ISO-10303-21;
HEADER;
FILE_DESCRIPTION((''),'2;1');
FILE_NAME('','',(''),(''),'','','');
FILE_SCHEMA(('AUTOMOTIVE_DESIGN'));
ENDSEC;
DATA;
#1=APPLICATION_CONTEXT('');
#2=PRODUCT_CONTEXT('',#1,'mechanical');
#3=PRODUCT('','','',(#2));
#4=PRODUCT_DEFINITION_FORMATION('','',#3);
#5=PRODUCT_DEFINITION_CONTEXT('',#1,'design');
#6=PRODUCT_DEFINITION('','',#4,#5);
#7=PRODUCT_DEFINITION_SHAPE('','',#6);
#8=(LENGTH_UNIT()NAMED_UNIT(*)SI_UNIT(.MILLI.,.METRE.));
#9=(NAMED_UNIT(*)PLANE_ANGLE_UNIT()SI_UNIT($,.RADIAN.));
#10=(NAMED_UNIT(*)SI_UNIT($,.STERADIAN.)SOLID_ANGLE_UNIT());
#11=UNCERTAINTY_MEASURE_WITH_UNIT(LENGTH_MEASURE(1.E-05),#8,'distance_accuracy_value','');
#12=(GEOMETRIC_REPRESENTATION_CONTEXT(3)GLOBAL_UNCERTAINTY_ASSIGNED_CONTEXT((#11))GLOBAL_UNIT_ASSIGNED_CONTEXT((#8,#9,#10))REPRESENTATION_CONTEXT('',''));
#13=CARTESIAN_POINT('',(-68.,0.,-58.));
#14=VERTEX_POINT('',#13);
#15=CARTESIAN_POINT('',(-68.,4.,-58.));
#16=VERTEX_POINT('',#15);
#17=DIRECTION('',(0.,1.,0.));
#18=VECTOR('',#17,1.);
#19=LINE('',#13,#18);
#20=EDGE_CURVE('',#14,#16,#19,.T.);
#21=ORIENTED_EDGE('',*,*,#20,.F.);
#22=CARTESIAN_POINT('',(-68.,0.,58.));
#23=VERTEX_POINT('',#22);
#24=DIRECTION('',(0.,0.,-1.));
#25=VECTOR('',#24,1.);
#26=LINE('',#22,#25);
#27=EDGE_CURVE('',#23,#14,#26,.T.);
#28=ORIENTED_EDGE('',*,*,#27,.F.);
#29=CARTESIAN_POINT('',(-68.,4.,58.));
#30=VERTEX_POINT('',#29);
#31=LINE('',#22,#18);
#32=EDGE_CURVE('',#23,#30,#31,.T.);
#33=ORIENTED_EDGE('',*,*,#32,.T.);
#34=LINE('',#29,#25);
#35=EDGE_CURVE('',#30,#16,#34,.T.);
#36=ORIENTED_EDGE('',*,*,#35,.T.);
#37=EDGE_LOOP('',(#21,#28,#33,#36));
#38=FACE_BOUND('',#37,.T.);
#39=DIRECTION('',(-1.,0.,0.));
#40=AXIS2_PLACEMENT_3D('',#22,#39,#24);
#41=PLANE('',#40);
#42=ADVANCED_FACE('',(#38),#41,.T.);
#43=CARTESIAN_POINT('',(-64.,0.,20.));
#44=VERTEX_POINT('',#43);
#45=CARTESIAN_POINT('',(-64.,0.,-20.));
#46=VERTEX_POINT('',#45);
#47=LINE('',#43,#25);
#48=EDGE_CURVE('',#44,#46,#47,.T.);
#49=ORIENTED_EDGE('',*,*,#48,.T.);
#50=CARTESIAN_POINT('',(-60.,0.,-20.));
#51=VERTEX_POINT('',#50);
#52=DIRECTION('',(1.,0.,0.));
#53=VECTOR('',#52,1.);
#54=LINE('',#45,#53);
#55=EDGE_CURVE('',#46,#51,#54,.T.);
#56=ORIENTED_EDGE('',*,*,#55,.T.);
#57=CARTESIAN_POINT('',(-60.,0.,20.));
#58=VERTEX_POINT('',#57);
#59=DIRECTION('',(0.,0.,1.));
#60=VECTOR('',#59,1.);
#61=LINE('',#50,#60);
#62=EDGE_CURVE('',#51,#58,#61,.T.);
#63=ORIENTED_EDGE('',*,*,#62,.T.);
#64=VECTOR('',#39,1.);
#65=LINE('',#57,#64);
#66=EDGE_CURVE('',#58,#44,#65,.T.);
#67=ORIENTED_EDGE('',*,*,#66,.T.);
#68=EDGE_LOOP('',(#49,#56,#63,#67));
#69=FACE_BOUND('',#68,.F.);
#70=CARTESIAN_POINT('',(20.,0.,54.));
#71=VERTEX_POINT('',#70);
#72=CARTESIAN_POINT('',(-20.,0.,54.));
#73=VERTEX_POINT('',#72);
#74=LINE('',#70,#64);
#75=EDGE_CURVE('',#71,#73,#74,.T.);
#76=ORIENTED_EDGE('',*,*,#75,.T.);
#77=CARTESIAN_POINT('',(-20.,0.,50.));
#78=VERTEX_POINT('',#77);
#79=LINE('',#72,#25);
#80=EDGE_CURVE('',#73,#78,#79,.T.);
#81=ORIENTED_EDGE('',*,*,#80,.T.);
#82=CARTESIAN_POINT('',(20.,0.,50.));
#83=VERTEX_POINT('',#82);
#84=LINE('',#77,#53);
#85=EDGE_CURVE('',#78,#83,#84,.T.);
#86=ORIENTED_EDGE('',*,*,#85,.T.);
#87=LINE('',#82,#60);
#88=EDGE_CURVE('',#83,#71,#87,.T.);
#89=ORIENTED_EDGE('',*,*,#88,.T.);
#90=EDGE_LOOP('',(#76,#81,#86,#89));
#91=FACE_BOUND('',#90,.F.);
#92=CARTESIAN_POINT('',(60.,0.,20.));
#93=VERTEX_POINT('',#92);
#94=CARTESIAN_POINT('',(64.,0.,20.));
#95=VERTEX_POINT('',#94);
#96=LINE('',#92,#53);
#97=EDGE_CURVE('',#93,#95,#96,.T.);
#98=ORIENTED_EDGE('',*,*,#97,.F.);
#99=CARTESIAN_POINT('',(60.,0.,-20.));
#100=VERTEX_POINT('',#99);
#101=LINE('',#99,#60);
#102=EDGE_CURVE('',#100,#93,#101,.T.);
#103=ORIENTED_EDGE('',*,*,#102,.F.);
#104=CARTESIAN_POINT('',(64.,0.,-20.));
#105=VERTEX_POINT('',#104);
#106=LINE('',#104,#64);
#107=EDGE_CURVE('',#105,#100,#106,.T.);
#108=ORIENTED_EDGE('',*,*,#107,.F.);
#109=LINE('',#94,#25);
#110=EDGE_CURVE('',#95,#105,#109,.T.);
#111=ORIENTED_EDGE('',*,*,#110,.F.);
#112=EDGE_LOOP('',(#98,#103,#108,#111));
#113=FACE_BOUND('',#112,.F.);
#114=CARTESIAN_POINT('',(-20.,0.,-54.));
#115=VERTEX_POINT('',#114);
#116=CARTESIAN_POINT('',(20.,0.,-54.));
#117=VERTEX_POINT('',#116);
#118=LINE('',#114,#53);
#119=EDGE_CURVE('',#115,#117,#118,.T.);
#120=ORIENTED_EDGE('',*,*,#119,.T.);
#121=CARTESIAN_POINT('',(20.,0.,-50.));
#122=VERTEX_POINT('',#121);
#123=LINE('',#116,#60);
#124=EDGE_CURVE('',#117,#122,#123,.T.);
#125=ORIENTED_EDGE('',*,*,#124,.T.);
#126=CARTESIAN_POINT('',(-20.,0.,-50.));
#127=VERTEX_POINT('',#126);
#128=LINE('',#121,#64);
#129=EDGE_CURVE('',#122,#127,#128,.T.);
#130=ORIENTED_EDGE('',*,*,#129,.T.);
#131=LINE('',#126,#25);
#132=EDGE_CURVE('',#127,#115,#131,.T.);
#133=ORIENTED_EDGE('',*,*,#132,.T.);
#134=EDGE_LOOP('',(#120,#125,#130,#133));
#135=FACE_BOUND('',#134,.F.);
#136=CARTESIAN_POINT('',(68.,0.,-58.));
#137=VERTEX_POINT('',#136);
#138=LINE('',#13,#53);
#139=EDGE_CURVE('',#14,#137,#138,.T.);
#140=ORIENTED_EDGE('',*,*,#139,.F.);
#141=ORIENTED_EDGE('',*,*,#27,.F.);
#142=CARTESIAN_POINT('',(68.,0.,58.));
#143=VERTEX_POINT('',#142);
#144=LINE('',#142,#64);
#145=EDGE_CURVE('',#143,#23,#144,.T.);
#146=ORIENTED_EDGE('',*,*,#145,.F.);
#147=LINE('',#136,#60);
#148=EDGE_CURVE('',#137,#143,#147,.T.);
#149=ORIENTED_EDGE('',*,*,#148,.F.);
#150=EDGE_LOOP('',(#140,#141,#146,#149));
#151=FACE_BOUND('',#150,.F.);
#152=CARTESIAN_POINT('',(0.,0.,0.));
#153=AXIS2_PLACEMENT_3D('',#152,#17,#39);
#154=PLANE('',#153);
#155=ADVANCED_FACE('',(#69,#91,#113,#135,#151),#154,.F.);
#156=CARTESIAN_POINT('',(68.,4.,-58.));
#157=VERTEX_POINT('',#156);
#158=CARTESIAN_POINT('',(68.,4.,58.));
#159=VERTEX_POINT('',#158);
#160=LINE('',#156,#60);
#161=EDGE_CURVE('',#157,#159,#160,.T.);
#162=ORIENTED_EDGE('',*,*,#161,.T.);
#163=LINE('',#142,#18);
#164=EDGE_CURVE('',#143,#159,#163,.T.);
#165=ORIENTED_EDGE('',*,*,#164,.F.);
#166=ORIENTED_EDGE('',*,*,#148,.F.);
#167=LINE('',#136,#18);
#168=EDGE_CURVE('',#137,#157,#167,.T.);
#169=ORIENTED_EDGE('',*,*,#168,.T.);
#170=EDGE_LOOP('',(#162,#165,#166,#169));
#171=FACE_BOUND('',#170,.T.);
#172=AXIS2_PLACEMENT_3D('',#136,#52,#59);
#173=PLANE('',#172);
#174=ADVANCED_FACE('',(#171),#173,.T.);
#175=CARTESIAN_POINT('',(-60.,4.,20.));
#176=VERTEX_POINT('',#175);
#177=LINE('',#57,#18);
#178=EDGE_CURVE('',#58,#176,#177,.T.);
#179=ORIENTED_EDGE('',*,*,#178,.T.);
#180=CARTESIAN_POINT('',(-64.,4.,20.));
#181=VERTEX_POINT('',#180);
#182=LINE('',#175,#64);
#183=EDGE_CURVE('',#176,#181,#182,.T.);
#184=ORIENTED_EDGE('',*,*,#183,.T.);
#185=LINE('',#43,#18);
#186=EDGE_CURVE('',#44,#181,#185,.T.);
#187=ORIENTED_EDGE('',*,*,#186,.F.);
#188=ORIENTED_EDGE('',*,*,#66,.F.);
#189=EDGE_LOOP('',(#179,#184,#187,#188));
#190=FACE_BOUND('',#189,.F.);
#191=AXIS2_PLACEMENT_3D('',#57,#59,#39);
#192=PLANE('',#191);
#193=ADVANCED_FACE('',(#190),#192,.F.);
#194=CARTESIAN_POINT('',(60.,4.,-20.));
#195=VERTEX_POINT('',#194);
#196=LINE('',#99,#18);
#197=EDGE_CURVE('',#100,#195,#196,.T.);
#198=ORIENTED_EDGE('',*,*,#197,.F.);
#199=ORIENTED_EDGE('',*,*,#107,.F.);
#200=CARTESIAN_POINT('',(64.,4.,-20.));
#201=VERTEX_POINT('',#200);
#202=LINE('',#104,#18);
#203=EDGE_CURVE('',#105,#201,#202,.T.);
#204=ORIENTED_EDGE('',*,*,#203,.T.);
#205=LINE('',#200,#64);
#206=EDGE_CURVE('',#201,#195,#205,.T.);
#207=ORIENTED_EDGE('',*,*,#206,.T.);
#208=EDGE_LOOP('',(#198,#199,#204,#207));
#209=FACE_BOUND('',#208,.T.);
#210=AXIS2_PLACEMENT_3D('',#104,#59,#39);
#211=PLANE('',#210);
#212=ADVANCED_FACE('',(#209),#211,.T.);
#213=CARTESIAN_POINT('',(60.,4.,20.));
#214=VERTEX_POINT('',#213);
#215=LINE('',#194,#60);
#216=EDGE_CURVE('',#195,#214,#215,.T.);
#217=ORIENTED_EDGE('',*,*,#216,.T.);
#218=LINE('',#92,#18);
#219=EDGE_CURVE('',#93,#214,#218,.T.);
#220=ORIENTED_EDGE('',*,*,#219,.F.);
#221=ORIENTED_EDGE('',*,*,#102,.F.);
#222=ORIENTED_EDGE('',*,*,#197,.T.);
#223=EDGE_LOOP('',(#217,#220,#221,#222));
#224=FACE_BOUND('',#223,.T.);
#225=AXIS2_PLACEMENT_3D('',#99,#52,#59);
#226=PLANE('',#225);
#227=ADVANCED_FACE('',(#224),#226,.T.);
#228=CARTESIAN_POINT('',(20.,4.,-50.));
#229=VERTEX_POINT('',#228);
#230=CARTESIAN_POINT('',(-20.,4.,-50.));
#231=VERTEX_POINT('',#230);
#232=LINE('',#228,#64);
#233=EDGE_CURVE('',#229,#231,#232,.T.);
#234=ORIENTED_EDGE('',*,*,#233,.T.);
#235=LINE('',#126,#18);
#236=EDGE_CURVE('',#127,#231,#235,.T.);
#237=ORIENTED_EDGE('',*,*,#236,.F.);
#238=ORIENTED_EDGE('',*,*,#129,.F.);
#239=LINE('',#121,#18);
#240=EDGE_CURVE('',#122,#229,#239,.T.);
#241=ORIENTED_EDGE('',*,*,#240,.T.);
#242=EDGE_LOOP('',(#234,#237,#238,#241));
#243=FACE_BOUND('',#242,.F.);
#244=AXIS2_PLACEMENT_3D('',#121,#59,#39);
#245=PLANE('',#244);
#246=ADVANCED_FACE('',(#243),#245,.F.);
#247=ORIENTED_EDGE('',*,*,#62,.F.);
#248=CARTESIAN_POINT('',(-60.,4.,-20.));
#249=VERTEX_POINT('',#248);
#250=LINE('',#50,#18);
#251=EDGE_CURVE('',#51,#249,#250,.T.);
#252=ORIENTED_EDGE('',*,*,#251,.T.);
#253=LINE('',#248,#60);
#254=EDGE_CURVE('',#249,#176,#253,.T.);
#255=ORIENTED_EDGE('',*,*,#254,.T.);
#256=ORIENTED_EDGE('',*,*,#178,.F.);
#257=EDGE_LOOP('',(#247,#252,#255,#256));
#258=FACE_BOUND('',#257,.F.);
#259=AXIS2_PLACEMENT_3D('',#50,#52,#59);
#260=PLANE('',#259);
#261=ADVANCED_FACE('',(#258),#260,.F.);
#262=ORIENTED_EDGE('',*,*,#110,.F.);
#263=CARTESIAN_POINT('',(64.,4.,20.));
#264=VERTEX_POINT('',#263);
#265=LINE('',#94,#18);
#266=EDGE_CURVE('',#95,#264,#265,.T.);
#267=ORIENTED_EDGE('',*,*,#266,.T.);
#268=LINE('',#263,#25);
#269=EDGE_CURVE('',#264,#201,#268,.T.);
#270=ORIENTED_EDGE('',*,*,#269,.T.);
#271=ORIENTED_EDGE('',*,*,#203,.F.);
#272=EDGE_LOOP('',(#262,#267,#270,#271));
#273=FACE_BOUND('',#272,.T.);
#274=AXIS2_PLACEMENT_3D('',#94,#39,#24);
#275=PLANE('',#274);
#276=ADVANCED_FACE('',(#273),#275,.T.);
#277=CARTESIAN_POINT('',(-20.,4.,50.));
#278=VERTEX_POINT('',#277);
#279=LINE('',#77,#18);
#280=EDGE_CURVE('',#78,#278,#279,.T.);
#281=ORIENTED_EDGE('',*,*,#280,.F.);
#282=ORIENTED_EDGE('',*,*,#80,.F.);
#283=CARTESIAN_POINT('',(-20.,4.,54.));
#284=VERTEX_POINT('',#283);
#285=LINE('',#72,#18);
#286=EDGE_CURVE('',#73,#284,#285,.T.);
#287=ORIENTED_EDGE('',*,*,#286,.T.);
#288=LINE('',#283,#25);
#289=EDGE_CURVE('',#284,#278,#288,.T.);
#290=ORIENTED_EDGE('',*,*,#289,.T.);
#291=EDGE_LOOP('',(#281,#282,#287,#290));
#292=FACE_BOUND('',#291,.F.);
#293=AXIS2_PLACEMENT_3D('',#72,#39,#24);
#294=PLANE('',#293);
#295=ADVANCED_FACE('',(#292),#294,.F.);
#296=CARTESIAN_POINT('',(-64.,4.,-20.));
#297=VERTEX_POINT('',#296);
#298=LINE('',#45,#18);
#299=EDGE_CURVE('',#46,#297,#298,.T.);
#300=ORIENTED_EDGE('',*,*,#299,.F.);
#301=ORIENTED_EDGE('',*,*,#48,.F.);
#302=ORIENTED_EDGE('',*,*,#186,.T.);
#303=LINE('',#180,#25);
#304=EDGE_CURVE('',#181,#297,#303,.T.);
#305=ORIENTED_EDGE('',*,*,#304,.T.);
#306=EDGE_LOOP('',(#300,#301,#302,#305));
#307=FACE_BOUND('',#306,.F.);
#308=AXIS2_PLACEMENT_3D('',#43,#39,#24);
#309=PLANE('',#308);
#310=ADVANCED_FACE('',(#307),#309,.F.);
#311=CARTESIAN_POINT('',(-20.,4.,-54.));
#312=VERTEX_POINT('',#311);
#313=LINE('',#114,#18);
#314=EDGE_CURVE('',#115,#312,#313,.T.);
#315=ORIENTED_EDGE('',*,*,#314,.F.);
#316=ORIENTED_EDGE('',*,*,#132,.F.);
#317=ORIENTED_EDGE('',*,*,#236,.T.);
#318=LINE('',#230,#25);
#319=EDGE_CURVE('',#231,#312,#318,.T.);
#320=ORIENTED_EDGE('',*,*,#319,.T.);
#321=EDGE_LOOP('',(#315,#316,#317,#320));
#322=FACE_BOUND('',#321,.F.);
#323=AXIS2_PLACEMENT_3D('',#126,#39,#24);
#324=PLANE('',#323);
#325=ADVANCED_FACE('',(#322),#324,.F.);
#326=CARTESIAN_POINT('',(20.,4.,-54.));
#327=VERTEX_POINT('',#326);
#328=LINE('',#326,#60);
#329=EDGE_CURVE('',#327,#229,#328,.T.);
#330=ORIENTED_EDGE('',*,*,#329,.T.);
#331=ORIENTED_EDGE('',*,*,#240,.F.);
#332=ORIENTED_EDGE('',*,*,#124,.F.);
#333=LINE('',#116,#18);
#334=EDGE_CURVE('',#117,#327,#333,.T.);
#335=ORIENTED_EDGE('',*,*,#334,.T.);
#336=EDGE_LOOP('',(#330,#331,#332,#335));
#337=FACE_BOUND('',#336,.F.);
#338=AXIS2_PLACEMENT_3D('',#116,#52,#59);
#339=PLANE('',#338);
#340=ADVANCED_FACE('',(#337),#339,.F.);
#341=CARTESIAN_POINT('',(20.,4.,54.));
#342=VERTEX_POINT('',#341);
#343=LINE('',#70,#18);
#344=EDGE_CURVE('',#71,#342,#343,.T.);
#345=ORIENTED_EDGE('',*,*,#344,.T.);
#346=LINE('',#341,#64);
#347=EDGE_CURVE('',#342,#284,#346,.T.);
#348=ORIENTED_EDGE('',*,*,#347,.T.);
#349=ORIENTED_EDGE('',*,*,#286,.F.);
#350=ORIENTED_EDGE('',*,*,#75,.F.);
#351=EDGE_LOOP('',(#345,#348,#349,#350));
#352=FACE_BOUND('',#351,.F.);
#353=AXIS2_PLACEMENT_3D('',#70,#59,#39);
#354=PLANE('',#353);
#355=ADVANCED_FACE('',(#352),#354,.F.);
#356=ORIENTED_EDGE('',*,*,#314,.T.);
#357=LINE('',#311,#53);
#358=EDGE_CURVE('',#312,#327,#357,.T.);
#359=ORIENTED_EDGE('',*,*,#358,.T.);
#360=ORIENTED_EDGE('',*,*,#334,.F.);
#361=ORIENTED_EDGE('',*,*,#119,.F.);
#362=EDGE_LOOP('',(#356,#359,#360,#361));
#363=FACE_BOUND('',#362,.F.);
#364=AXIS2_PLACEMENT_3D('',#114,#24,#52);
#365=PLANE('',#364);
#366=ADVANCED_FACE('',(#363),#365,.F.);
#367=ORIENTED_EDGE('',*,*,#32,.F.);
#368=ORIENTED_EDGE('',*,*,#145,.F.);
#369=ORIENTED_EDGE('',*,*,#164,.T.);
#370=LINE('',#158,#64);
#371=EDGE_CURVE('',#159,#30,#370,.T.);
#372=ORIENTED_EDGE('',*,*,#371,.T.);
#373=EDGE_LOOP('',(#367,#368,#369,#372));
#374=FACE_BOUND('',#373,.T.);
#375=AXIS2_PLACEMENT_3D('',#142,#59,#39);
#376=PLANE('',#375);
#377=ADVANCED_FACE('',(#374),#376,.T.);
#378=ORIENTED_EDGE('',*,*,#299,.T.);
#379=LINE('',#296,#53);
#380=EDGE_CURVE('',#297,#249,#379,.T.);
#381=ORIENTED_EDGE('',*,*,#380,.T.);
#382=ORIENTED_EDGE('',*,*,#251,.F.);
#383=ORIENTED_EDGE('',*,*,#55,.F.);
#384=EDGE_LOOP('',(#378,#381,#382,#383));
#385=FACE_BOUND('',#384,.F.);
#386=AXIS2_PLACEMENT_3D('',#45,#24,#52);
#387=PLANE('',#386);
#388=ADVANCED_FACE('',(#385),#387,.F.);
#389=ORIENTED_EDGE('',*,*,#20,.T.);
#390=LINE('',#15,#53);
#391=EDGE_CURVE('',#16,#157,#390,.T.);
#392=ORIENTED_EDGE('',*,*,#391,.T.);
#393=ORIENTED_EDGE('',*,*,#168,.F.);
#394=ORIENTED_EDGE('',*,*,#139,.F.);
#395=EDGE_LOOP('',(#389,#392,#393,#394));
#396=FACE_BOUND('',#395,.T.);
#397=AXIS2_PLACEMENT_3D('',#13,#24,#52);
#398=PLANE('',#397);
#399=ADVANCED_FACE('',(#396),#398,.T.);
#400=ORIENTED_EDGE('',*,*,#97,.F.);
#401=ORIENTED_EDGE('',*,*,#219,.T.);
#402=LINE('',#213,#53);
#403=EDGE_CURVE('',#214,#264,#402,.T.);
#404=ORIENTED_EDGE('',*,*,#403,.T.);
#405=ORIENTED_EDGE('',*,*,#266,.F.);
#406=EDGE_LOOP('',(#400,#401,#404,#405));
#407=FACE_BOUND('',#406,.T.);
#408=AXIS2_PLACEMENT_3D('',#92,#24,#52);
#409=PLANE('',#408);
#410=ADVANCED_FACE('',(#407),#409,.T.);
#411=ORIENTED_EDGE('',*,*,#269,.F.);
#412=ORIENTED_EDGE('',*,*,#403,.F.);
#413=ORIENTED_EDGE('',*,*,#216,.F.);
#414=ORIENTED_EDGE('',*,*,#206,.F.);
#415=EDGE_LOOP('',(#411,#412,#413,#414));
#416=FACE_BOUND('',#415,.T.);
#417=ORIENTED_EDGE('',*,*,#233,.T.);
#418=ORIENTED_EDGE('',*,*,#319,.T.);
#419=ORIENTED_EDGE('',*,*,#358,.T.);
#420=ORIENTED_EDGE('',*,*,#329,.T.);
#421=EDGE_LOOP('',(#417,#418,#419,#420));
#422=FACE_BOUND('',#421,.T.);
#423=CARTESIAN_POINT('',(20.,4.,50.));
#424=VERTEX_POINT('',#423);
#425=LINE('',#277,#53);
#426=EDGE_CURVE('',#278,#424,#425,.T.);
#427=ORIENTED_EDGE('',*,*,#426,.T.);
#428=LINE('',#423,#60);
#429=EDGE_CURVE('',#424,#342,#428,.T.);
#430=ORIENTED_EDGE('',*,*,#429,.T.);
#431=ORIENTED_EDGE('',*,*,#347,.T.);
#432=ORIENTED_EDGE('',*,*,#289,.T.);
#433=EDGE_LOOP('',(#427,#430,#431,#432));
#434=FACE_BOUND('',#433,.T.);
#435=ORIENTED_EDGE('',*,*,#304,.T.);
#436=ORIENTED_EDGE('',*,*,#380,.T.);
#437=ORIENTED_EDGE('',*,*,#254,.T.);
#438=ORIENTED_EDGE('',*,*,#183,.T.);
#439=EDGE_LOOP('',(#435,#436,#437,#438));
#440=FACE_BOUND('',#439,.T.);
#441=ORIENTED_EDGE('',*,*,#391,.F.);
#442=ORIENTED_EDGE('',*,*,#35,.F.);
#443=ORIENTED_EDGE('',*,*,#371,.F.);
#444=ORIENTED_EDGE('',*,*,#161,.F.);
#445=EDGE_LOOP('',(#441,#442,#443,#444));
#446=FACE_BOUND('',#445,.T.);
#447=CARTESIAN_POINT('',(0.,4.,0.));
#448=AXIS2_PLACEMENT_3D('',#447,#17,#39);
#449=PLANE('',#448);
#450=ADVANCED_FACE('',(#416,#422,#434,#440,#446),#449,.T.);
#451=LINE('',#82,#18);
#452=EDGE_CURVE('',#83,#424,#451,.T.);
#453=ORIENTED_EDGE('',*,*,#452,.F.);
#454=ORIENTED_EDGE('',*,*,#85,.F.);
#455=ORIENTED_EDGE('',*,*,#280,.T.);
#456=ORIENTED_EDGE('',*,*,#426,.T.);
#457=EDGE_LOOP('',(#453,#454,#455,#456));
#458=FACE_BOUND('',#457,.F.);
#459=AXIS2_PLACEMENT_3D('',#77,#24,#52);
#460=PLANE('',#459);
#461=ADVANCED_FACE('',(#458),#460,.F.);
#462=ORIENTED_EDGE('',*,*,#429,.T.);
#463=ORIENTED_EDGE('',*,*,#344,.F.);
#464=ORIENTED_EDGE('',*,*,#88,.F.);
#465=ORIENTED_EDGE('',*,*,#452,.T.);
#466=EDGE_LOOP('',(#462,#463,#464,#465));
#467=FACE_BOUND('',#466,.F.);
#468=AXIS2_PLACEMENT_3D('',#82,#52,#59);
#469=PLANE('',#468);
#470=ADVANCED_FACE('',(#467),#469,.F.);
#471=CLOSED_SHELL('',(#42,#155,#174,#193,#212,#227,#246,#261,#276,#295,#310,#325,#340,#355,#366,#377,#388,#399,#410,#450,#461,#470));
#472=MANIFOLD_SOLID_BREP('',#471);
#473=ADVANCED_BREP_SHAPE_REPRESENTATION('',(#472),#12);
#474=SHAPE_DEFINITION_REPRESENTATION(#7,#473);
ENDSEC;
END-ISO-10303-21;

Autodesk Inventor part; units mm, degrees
ref_plane "YZ Plane" through (0, 0, 0) normal (1, 0, 0) x (0, 1, 0)
ref_plane "XZ Plane" through (0, 0, 0) normal (0, 1, 0) x (-1, 0, 0)
ref_plane "XY Plane" through (0, 0, 0) normal (0, 0, 1) x (1, 0, 0)
sketch "Sketch1" plane through (0, 0, 0) normal (0, 1, 0) x (-1, 0, 0)
  line L0 (60, -50) -> (-60, -50) construction
  line L1 (-60, -50) -> (-60, 50) construction
  line L2 (-60, 50) -> (60, 50) construction
  line L3 (60, 50) -> (60, -50) construction
  line L4 (64, -54) -> (-64, -54) construction
  line L5 (-64, -54) -> (-64, 54) construction
  line L6 (-64, 54) -> (64, 54) construction
  line L7 (64, 54) -> (64, -54) construction
  line L8 (68, -58) -> (-68, -58)
  line L9 (-68, -58) -> (-68, 58)
  line L10 (-68, 58) -> (68, 58)
  line L11 (68, 58) -> (68, -58)
  line L12 (64, -20) -> (60, -20)
  line L13 (60, -20) -> (60, 20)
  line L14 (60, 20) -> (64, 20)
  line L15 (64, 20) -> (64, -20)
  line L16 (-60, 20) -> (-64, 20)
  line L17 (-64, 20) -> (-64, -20)
  line L18 (-64, -20) -> (-60, -20)
  line L19 (-60, -20) -> (-60, 20)
  line L20 (-20, -50) -> (20, -50)
  line L21 (20, -50) -> (20, -54)
  line L22 (20, -54) -> (-20, -54)
  line L23 (-20, -54) -> (-20, -50)
  line L24 (20, 50) -> (-20, 50)
  line L25 (-20, 50) -> (-20, 54)
  line L26 (-20, 54) -> (20, 54)
  line L27 (20, 54) -> (20, 50)
  point P0 (0, 0)
  point P1 (0, -50)
  point P2 (60, 0)
  point P3 (60, 0)
  point P4 (0, -50)
  point P5 (62, 20)
  point P6 (62, -20)
  dimension "d0" = 4
  dimension "d1" = 4
  dimension "d2" = 120
  dimension "d3" = 100
  dimension "d4" = 40
extrude "Extrusion1" add sketch "Sketch1" along normal blind 4
properties part number "Top_120wx100d" material "Wood (Oak)"
